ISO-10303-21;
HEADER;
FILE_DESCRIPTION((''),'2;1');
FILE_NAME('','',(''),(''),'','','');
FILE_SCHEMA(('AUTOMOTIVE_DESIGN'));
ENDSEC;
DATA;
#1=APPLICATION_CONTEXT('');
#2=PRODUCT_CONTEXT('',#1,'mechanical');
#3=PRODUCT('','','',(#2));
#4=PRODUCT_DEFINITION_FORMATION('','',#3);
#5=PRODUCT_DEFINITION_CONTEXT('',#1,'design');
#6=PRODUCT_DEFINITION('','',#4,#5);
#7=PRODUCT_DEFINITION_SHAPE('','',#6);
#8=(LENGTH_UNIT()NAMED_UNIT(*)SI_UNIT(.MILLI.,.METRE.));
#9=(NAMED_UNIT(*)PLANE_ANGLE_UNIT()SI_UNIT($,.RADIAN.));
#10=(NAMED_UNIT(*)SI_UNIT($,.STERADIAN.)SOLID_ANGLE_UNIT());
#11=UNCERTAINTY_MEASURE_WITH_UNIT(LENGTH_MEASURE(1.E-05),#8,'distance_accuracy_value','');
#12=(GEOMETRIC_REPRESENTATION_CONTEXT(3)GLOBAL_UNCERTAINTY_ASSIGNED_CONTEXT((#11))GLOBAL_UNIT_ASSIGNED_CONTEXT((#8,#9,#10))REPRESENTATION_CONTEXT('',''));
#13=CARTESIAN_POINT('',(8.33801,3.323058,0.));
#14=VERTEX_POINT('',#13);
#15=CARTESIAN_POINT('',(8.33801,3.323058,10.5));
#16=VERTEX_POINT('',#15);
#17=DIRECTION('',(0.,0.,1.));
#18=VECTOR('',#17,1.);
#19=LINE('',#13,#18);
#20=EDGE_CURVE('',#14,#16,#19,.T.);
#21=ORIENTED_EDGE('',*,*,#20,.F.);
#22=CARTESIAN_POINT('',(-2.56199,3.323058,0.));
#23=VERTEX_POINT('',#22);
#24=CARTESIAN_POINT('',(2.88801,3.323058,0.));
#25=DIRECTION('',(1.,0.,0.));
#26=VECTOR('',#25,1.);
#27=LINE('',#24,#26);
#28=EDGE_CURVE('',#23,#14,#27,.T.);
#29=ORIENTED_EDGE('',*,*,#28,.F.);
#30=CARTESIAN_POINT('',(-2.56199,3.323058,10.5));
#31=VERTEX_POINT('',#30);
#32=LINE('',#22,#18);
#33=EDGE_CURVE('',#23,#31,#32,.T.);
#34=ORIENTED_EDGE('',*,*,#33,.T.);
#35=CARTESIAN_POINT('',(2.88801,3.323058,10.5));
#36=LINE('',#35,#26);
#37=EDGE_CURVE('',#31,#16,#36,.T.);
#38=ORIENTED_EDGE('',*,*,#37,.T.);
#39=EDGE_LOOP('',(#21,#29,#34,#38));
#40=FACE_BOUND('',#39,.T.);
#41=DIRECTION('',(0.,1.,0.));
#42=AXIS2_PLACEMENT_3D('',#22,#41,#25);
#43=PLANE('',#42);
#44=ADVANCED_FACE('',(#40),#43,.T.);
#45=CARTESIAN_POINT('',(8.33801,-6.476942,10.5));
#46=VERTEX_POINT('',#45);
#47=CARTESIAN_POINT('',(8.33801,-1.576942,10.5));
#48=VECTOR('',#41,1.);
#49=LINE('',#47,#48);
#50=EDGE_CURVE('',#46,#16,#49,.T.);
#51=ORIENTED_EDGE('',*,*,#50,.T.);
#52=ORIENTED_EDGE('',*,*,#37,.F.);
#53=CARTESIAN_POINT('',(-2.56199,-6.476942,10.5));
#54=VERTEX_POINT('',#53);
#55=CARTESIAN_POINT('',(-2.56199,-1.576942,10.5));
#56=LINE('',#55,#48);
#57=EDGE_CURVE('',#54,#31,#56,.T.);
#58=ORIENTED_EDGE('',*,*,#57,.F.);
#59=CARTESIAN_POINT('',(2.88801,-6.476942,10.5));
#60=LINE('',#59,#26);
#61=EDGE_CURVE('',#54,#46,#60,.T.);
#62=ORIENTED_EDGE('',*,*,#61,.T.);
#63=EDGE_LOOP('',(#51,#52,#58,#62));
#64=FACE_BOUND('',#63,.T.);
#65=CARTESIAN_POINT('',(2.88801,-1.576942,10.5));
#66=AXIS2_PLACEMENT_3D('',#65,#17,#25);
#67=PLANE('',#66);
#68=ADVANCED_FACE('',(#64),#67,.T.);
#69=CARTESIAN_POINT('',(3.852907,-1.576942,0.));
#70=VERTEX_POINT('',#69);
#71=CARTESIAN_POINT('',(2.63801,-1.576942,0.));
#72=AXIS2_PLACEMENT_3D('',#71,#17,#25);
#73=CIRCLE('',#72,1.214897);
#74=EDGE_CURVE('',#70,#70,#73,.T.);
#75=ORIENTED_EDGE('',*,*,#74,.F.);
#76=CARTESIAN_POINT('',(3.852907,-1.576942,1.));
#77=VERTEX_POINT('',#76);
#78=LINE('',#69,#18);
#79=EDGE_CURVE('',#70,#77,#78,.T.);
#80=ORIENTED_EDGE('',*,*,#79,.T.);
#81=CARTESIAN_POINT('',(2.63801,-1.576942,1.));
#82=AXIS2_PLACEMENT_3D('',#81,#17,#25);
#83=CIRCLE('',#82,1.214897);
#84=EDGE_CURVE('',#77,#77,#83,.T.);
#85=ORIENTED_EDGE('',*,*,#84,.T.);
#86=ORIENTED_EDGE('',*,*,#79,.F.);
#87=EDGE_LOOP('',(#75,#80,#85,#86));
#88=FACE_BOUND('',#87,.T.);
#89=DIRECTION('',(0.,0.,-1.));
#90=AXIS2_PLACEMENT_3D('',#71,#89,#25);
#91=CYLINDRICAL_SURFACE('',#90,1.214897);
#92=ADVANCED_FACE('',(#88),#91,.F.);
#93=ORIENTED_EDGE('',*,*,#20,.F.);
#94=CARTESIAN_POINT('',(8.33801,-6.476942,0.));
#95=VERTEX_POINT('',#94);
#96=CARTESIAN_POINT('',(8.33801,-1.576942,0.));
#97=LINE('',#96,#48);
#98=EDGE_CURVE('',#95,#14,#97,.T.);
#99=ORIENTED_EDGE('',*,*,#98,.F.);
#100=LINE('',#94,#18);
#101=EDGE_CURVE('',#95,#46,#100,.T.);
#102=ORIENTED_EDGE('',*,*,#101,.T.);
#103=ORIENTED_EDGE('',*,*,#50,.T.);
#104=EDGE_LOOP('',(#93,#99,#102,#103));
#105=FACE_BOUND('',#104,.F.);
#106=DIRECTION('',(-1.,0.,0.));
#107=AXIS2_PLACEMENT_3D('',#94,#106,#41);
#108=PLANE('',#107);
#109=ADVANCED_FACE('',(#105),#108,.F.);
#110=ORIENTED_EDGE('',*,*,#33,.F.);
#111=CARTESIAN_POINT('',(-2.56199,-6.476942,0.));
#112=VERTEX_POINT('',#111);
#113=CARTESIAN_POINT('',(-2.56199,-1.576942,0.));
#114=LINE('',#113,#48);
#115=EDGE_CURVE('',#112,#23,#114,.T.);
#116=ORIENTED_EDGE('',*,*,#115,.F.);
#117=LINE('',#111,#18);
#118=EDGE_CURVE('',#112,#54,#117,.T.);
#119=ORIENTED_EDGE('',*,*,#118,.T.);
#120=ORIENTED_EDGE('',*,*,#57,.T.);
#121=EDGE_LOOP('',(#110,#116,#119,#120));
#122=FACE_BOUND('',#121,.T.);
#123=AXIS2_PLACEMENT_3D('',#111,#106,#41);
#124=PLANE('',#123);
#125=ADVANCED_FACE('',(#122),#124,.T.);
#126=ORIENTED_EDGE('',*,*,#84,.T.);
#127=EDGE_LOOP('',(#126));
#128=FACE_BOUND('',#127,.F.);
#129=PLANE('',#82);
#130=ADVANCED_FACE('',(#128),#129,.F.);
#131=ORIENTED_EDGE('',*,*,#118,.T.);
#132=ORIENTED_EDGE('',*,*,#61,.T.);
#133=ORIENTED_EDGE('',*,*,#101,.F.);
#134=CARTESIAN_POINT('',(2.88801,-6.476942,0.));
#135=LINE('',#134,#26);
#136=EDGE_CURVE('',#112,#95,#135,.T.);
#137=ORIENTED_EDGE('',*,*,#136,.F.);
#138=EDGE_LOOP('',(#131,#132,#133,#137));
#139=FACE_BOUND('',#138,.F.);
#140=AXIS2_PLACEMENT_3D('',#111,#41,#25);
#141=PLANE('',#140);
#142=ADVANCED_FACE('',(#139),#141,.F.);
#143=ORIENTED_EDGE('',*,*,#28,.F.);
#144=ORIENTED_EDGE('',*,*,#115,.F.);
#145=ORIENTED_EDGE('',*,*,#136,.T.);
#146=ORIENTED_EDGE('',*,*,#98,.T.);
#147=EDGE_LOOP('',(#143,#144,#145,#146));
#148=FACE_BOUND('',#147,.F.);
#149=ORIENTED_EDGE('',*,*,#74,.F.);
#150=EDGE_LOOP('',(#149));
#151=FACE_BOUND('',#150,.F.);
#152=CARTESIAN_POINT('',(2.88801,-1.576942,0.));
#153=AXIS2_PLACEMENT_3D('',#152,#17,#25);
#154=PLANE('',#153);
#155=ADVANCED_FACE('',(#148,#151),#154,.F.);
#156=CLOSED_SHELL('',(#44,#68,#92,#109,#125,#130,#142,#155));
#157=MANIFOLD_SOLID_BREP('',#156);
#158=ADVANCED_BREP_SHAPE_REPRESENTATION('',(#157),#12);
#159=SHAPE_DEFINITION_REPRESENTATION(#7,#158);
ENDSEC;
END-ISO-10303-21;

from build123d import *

# Parameters (mm, degrees)
F0_W     = 10.9
F0_H     = 9.8
F1_DEPTH = 10.5
F2_R     = 1.214897
F3_DEPTH = 1


with BuildPart() as f1:
    # F0 (on Top) → F1 (new body)
    with BuildSketch(Plane.XY):
        with Locations((2.88801, -1.576942)):
            Rectangle(F0_W, F0_H)
    extrude(amount=F1_DEPTH)

    # F2 (on face) → F3 (cut)
    with BuildSketch(Plane.XY):
        with Locations((2.63801, -1.576942)):
            Circle(F2_R)
    extrude(amount=F3_DEPTH, mode=Mode.SUBTRACT)


solid = f1.part
